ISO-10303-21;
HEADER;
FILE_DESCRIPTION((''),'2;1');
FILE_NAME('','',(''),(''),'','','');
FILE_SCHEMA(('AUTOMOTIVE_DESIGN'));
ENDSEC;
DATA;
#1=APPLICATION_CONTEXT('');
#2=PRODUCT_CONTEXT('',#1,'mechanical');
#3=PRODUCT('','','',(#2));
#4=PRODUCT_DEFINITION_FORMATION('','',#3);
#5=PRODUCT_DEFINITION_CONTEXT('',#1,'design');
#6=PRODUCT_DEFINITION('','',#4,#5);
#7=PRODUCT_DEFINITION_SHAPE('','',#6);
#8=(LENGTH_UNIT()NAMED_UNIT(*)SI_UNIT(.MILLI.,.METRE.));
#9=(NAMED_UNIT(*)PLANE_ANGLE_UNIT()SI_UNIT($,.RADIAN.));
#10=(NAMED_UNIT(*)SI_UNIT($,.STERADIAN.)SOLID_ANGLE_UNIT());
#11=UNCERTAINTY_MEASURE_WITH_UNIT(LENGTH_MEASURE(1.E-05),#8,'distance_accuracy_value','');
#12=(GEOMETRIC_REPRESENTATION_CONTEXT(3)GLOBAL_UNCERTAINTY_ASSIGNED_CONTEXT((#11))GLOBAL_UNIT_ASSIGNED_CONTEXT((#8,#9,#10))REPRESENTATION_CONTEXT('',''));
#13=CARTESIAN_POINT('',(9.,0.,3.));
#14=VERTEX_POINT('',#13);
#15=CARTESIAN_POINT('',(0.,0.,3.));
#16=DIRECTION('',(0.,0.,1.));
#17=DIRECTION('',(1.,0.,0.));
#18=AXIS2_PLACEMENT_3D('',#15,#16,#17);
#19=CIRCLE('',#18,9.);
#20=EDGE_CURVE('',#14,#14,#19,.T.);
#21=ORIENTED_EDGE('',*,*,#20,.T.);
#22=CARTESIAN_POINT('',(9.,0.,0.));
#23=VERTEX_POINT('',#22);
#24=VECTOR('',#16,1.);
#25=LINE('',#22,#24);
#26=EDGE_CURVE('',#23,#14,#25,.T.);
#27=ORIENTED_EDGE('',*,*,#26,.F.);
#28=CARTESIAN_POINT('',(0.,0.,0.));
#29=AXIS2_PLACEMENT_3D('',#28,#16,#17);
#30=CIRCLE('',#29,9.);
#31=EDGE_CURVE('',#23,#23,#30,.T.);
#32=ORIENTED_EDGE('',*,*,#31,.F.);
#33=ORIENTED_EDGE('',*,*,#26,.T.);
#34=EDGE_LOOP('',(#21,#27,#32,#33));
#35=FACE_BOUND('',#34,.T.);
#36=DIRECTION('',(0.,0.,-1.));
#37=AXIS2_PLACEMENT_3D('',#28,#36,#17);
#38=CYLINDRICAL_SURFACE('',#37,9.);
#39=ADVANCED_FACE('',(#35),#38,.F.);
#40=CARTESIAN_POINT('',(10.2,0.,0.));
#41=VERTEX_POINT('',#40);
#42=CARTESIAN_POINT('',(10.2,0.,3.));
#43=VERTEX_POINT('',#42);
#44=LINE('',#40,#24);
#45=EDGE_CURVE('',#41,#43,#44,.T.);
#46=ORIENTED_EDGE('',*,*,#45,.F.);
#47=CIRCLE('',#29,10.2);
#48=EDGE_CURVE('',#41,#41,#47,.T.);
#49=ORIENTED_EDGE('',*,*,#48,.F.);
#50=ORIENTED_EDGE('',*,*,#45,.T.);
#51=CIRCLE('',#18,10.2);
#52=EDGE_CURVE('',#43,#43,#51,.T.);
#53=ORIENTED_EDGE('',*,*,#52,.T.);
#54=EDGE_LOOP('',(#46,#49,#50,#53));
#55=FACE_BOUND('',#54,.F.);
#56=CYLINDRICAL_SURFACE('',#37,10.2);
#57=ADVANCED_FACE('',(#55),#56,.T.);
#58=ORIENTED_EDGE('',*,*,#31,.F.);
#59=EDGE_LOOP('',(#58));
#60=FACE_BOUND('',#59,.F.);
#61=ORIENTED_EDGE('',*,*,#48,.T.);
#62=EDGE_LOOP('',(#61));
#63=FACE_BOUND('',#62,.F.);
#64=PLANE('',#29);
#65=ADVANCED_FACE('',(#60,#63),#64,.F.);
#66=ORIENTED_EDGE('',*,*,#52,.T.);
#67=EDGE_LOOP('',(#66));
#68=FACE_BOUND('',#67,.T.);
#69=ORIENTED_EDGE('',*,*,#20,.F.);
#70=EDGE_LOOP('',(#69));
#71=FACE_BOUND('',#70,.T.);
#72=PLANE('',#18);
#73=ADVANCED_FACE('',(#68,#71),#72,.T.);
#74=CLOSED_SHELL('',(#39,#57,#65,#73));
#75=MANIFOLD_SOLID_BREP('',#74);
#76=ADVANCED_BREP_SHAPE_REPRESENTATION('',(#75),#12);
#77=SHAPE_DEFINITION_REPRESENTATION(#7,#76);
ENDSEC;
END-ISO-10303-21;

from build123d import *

# Parameters (mm, degrees)
SKETCH_R   = 10.2
SKETCH_R_2 = 9
PAD_DEPTH  = 3


with BuildPart() as part:
    # Sketch → Pad (new body)
    with BuildSketch(Plane.XY):
        Circle(SKETCH_R)
        Circle(SKETCH_R_2, mode=Mode.SUBTRACT)
    extrude(amount=PAD_DEPTH)


solid = part.part
